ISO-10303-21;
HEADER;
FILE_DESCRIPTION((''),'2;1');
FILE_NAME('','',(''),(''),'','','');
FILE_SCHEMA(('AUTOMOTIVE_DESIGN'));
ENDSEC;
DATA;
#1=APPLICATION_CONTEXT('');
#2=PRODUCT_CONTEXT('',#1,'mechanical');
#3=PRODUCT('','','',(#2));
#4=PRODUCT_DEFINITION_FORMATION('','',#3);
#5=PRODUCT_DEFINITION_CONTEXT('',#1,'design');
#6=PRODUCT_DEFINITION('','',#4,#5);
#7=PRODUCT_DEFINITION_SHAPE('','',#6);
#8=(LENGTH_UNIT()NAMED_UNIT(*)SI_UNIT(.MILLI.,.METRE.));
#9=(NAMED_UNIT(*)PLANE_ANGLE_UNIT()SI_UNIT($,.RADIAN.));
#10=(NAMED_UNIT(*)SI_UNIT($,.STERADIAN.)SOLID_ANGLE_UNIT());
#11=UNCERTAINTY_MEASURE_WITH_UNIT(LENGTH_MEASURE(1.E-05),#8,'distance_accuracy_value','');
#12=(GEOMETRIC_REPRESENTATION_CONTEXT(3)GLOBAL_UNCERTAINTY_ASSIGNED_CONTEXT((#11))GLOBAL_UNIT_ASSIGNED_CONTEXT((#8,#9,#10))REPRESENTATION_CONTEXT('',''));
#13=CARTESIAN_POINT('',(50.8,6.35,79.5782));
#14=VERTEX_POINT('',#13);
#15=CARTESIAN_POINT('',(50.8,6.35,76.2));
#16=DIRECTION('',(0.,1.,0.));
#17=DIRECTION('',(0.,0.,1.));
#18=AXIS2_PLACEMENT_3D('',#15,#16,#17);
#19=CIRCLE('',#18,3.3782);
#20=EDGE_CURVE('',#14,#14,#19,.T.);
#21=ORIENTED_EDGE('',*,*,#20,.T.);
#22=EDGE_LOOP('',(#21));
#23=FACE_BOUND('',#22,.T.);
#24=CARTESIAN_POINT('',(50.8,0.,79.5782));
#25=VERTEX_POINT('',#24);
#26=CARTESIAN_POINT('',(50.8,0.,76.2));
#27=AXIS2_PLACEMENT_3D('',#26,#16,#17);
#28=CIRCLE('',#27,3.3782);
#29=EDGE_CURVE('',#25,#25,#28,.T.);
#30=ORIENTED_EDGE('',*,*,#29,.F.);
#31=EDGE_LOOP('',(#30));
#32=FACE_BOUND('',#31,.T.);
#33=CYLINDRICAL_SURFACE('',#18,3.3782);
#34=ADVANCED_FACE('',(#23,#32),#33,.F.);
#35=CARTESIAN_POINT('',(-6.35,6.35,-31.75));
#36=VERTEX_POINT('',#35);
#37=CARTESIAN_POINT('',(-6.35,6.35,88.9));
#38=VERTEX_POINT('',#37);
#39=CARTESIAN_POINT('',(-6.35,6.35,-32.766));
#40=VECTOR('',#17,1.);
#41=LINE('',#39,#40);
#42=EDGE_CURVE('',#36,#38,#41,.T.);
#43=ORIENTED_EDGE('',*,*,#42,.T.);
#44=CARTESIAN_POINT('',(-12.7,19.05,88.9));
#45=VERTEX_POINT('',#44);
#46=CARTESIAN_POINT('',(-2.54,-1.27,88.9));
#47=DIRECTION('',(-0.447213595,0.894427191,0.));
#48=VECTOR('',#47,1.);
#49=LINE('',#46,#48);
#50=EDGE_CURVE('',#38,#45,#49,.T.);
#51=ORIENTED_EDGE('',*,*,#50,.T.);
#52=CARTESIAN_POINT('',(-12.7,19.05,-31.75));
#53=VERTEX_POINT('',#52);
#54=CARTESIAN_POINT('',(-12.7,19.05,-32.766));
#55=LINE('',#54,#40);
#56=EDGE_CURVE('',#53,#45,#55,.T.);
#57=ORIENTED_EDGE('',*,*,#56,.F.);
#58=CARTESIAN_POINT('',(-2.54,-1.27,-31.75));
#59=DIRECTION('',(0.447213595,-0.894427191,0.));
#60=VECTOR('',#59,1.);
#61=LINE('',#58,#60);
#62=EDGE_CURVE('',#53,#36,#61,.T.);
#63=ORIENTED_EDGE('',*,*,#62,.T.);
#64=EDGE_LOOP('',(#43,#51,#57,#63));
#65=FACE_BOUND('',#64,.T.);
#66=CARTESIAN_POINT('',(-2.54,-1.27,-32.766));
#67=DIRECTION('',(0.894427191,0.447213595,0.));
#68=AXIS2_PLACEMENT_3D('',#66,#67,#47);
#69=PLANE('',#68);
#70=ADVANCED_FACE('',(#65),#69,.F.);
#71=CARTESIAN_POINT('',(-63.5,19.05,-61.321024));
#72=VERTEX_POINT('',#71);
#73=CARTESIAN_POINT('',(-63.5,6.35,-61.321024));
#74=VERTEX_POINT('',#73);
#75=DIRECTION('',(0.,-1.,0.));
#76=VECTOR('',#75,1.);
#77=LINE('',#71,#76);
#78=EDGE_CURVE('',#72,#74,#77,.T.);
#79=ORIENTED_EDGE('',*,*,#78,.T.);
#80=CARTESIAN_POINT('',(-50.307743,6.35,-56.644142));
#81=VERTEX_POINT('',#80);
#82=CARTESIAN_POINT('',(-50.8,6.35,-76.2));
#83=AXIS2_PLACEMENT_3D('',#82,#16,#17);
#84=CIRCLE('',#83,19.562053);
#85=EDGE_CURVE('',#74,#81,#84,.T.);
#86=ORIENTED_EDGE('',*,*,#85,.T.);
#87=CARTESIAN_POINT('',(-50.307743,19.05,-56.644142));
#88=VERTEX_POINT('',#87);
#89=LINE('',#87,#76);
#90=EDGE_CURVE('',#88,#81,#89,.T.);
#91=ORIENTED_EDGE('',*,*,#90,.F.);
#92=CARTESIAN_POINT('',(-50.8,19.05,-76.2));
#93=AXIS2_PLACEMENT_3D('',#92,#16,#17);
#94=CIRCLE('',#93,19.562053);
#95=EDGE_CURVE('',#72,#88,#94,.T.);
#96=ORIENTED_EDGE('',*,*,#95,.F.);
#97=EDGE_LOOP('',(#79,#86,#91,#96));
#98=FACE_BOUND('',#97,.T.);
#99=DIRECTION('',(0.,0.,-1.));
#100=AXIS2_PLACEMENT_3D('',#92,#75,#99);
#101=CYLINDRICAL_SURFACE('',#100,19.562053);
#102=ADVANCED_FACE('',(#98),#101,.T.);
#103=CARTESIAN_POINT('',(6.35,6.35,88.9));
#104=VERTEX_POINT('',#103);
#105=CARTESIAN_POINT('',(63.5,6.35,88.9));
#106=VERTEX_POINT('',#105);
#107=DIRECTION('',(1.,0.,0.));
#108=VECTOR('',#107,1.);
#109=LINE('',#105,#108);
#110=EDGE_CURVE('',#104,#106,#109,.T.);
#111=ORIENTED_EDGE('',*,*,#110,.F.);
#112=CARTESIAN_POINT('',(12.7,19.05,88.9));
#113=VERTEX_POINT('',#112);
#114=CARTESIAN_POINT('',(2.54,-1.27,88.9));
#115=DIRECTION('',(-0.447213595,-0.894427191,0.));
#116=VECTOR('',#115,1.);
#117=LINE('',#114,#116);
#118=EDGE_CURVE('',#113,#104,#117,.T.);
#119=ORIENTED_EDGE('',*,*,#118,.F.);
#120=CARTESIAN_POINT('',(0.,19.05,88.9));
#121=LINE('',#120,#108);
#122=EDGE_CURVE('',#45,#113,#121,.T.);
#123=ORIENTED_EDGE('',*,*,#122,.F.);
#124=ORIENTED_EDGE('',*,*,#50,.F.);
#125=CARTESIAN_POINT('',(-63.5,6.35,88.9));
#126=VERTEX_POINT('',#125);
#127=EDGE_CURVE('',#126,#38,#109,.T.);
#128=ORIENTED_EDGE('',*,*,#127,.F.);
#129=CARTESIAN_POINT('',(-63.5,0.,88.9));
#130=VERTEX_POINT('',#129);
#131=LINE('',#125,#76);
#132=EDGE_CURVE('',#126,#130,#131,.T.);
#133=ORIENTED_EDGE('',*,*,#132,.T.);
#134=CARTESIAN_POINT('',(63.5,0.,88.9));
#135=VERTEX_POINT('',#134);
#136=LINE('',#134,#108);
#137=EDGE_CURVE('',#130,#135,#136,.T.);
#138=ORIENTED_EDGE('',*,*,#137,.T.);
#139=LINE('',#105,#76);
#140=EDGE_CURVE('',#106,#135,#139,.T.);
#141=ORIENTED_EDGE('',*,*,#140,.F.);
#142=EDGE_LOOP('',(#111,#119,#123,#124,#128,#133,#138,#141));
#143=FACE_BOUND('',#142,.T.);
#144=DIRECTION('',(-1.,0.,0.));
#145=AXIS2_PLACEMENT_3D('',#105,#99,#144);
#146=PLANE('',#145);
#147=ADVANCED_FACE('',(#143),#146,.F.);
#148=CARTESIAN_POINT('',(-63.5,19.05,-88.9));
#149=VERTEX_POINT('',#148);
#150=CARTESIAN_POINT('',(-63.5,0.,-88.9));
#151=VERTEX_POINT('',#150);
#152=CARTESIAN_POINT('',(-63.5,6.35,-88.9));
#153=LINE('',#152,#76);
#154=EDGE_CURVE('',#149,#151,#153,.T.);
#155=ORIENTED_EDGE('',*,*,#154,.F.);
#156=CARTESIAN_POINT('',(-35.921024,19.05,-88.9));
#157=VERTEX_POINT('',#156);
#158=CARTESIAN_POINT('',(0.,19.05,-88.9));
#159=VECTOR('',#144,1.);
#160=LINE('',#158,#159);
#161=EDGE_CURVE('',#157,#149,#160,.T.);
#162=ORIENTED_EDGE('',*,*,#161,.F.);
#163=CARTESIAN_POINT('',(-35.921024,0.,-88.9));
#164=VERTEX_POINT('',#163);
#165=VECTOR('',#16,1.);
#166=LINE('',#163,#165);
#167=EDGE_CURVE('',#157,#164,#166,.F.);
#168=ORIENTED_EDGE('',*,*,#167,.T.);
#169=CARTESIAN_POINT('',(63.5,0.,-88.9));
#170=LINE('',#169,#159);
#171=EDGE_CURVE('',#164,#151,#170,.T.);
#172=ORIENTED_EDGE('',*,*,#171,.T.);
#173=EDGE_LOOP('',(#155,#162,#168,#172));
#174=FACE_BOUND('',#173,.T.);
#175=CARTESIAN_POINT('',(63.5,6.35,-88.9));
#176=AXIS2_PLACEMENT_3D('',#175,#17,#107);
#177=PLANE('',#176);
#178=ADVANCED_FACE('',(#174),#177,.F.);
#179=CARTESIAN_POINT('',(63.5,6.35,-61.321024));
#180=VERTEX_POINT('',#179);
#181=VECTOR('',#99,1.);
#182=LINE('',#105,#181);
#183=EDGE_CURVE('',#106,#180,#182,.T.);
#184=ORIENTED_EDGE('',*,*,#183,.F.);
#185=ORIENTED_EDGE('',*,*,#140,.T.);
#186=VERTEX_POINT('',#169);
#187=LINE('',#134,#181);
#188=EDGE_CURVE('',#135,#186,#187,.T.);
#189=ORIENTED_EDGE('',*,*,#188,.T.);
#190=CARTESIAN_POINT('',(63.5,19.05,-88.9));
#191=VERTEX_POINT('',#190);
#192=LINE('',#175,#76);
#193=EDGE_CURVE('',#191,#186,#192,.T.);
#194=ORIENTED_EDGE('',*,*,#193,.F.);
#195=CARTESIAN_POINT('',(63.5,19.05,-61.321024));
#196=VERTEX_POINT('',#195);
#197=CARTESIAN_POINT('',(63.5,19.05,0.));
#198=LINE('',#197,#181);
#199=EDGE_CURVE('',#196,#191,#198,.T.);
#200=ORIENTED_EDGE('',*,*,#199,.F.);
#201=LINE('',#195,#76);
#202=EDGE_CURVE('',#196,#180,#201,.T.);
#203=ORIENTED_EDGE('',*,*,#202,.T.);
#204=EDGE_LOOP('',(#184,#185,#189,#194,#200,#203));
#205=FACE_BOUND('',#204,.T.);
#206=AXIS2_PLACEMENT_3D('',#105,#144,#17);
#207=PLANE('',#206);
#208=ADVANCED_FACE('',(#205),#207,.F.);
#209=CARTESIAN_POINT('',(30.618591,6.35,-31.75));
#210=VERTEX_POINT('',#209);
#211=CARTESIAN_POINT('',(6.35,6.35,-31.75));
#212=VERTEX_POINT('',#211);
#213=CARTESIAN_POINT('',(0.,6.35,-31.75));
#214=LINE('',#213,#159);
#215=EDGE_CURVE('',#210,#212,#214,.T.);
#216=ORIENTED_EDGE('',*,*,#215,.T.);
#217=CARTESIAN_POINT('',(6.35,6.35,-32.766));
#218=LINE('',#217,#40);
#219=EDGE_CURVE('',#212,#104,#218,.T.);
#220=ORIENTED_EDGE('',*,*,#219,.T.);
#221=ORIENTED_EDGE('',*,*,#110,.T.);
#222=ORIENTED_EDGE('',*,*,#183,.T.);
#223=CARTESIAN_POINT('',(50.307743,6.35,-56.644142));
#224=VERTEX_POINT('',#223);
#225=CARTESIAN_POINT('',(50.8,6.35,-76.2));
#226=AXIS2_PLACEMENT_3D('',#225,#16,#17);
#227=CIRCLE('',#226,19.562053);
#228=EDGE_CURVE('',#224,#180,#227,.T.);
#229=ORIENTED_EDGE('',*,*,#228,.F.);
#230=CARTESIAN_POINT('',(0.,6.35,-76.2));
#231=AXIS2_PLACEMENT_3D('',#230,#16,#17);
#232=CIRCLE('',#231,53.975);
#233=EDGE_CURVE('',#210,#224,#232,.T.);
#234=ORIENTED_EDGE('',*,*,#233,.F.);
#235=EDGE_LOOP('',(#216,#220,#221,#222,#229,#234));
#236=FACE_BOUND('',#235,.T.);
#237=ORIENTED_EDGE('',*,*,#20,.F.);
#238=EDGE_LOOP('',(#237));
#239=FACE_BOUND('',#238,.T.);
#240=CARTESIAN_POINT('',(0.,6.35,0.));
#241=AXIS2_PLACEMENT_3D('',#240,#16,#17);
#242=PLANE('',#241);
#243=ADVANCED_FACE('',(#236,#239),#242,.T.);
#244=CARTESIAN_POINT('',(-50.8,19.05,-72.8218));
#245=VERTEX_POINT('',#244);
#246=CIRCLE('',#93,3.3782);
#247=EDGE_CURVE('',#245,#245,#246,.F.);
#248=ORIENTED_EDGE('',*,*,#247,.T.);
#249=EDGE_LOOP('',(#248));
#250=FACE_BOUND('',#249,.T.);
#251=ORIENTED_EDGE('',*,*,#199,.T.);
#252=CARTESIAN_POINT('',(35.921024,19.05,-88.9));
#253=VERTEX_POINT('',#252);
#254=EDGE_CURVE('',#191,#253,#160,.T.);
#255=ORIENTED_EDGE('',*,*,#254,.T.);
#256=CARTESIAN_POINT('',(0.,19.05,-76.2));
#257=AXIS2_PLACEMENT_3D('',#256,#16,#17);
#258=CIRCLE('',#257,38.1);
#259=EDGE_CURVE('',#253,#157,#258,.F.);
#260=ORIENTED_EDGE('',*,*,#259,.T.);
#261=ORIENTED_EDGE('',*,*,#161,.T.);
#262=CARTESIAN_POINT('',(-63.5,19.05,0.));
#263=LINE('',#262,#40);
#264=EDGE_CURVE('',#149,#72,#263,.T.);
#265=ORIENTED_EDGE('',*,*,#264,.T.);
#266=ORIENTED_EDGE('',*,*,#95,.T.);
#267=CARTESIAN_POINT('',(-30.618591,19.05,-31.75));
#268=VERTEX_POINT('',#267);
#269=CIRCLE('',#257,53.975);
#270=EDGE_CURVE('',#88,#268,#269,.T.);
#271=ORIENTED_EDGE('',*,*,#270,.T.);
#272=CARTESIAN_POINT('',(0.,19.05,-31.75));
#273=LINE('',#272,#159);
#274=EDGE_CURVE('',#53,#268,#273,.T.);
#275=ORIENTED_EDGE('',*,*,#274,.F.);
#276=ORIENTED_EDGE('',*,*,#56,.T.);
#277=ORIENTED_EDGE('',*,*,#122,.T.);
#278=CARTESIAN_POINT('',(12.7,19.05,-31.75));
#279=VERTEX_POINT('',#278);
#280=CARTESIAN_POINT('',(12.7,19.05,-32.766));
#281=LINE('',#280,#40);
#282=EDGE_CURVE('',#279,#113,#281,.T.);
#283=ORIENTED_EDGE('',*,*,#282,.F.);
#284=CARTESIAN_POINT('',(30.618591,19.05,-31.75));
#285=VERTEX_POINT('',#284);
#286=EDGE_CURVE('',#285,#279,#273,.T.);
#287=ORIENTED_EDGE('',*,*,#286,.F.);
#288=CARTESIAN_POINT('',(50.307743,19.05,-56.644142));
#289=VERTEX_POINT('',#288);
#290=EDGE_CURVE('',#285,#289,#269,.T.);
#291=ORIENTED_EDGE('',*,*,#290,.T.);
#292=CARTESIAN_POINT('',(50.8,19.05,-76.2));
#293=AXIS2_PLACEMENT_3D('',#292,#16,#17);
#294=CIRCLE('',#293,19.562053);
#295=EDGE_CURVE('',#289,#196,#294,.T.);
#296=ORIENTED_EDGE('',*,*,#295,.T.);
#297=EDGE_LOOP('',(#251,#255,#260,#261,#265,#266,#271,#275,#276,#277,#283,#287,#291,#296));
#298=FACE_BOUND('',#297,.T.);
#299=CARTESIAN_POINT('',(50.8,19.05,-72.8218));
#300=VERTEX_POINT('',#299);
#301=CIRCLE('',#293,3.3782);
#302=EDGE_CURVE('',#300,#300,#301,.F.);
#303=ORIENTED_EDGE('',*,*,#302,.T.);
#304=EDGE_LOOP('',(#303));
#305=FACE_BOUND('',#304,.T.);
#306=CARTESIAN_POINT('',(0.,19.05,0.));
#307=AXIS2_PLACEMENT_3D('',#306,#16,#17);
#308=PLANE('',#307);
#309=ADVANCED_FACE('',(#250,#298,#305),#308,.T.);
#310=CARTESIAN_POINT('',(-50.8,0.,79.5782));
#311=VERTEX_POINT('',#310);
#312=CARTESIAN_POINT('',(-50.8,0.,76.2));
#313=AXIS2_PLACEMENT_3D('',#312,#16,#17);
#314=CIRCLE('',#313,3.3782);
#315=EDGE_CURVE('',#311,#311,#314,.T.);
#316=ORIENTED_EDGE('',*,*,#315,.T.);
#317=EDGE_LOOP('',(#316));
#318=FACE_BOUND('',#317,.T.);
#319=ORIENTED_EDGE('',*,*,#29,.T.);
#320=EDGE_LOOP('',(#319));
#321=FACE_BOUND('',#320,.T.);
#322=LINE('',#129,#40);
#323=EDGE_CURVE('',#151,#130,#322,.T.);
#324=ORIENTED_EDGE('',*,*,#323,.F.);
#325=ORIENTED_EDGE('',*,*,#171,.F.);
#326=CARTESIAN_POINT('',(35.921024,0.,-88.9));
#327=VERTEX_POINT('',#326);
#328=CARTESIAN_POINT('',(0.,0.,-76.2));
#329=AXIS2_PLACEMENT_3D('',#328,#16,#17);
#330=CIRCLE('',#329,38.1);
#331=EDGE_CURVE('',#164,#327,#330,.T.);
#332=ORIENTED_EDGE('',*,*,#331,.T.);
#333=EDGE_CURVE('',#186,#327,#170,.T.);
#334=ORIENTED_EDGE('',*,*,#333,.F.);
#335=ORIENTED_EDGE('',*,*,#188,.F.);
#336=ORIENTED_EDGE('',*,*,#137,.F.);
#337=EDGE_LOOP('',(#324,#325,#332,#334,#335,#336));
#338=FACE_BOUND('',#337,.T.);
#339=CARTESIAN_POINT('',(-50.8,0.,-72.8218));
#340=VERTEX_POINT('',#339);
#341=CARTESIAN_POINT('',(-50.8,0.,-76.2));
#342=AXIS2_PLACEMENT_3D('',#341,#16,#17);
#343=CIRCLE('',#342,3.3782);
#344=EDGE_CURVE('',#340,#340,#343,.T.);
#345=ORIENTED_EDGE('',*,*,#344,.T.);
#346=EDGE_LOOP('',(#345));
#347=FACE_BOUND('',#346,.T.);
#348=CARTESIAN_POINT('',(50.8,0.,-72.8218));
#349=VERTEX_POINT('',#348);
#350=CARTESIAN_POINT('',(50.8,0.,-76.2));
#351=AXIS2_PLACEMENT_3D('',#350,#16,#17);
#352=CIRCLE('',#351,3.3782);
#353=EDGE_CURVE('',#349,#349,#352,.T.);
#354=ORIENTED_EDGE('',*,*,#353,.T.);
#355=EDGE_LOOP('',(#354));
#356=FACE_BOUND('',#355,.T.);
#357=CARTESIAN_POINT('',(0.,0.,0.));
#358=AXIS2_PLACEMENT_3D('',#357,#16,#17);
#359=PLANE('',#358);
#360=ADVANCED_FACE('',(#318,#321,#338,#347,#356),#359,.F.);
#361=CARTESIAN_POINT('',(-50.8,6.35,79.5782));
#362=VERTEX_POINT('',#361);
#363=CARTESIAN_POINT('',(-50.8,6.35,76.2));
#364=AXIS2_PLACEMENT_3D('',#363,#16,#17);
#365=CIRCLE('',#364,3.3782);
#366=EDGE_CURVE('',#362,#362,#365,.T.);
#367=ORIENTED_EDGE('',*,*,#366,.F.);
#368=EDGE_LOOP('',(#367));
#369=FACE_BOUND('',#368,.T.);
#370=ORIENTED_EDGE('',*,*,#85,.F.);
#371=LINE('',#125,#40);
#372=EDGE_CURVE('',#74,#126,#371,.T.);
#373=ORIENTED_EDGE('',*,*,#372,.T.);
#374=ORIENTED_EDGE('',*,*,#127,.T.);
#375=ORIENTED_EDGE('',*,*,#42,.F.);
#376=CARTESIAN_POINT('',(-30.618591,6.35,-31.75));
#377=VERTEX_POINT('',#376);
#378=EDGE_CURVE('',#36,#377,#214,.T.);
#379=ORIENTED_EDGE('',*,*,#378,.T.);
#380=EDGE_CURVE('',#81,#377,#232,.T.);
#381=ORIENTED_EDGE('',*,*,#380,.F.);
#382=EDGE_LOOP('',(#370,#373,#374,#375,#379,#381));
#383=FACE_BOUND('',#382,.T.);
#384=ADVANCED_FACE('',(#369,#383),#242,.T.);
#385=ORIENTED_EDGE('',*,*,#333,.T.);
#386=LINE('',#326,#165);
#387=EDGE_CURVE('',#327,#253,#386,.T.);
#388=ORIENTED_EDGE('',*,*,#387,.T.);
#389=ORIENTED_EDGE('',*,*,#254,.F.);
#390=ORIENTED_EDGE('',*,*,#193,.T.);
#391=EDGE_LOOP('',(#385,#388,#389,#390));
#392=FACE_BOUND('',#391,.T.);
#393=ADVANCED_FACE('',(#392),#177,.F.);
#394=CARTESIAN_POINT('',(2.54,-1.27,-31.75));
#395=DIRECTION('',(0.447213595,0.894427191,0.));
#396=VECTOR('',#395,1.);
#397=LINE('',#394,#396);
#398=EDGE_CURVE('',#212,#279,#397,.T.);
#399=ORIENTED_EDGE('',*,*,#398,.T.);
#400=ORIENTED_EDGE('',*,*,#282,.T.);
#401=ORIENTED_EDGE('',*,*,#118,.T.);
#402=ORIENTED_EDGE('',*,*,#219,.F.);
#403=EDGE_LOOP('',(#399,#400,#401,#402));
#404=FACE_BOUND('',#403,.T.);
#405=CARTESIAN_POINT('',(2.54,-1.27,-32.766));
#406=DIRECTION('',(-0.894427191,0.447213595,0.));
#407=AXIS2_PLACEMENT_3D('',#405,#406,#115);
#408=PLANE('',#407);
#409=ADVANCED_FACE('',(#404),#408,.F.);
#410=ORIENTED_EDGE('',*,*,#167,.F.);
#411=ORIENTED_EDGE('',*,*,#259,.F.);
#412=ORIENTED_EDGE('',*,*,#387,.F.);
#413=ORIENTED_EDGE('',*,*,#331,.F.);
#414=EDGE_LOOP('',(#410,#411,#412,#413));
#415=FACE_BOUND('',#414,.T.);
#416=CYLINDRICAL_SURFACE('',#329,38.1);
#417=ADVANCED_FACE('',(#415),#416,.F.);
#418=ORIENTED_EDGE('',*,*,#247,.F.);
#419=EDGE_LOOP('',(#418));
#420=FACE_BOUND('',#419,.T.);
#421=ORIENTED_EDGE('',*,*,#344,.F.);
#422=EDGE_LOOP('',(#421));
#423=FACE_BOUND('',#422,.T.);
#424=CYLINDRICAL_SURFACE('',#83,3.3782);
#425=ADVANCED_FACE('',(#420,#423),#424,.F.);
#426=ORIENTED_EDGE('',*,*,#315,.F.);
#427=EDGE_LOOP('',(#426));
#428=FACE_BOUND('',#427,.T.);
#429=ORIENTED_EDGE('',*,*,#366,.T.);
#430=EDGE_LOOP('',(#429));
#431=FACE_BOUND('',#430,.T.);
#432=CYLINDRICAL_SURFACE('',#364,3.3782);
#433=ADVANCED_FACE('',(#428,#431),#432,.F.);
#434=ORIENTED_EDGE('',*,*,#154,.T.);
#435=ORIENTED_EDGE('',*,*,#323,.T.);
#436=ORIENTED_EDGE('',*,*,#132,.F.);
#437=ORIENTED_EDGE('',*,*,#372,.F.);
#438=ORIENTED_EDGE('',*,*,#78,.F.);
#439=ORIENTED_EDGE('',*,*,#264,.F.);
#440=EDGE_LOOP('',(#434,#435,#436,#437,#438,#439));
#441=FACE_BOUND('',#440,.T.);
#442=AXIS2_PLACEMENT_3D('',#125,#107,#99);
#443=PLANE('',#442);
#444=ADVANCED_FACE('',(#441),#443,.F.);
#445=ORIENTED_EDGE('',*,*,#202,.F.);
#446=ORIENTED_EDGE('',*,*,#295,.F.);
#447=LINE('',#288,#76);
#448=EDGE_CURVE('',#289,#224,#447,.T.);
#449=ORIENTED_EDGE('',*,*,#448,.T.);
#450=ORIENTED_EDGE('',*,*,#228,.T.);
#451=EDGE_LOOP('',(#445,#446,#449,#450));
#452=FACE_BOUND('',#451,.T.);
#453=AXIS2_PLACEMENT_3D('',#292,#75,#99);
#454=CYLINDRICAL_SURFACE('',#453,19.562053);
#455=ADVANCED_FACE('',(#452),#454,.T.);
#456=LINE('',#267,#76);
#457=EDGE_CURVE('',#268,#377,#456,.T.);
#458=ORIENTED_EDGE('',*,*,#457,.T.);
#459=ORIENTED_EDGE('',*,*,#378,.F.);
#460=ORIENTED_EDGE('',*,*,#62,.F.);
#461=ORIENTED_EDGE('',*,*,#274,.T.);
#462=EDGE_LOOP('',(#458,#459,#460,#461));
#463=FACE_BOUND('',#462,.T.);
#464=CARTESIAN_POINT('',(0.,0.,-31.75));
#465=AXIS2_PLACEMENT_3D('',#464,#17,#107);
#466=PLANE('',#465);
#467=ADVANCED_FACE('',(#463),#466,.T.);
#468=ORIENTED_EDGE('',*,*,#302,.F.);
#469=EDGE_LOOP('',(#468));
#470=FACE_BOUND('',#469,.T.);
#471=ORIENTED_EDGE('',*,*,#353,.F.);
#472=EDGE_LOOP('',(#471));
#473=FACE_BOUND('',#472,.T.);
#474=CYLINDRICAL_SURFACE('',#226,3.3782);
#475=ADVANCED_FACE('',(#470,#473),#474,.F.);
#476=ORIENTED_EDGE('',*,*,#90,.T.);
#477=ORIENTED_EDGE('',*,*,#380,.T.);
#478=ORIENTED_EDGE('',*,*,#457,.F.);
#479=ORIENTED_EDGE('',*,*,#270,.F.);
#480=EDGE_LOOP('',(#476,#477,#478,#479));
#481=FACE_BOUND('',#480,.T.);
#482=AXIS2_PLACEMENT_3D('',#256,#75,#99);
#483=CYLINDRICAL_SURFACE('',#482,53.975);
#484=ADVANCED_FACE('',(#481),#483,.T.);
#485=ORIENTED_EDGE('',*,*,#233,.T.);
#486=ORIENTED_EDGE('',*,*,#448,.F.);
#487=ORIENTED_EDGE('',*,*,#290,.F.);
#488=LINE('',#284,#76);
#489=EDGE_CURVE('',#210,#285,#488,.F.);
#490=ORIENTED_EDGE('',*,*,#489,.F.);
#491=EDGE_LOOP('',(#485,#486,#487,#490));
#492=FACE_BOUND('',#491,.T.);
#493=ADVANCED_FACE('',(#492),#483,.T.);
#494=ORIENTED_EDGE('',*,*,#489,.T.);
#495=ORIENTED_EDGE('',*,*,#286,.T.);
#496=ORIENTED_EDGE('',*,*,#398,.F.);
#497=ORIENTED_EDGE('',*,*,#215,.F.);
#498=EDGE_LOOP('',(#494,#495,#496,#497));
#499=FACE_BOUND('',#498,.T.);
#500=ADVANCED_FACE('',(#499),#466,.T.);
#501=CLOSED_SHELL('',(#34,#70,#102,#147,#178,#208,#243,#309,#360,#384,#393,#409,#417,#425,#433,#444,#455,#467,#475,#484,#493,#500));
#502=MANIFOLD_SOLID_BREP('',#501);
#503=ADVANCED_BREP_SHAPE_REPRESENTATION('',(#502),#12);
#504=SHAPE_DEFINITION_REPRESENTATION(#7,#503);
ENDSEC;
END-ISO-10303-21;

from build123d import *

# Parameters (mm, degrees)
SKETCH1_W                    = 127
SKETCH1_H                    = 177.8
BOSS_EXTRUDE1_DEPTH          = 6.35
H_0_266_DIAMETER_HOLE1_D     = 6.7564
H_0_266_DIAMETER_HOLE1_DEPTH = 16.51
H_0_266_DIAMETER_HOLE1_TIP   = 2.029827343
SKETCH4_R                    = 38.1
CUT_EXTRUDE1_DEPTH           = 6.35
SKETCH5_R                    = 3.3782
BOSS_EXTRUDE2_DEPTH          = 12.7
BOSS_EXTRUDE3_DEPTH          = 121.666
SKETCH7_W                    = 27.292671225
SKETCH7_H                    = 12.7
CUT_EXTRUDE2_DEPTH           = 120.65


with BuildPart() as part:
    # Sketch1 → Boss-Extrude1 (new body)
    with BuildSketch(Plane(origin=(0, 0, 0), x_dir=(1, 0, 0), z_dir=(0, 1, 0))):
        Rectangle(SKETCH1_W, SKETCH1_H)
    extrude(amount=BOSS_EXTRUDE1_DEPTH)

    # H (0.266) Diameter Hole1
    with Locations(Plane(origin=(0, 6.35, 0), x_dir=(1, 0, 0), z_dir=(0, 1, 0))):
        with Locations((-50.8, 76.2), (50.8, -76.2), (50.8, 76.2), (-50.8, -76.2)):
            Hole(H_0_266_DIAMETER_HOLE1_D / 2, depth=H_0_266_DIAMETER_HOLE1_DEPTH)
            with Locations((0, 0, -(H_0_266_DIAMETER_HOLE1_DEPTH + H_0_266_DIAMETER_HOLE1_TIP / 2))):  # 118° drill point
                Cone(0, H_0_266_DIAMETER_HOLE1_D / 2, H_0_266_DIAMETER_HOLE1_TIP, mode=Mode.SUBTRACT)

    # Sketch4 → Cut-Extrude1 (cut)
    with BuildSketch(Plane(origin=(0, 6.35, 0), x_dir=(1, 0, 0), z_dir=(0, 1, 0))):
        with Locations((0, 76.2)):
            Circle(SKETCH4_R)
    extrude(amount=-CUT_EXTRUDE1_DEPTH, mode=Mode.SUBTRACT)

    # Sketch5 → Boss-Extrude2 (add)
    with BuildSketch(Plane(origin=(0, 6.35, 0), x_dir=(1, 0, 0), z_dir=(0, 1, 0))):
        with BuildLine():
            Line((-35.921024484, 88.9), (-63.5, 88.9))
            Line((-63.5, 88.9), (-63.5, 61.321024484))
            ThreePointArc((-63.5, 61.321024484), (-57.336478943, 57.762311549), (-50.307743234, 56.644141653))
            ThreePointArc((-50.307743234, 56.644141653), (0, 22.225), (50.307743234, 56.644141653))
            ThreePointArc((50.307743234, 56.644141653), (57.336478943, 57.762311549), (63.5, 61.321024484))
            Line((63.5, 61.321024484), (63.5, 88.9))
            Line((63.5, 88.9), (35.921024484, 88.9))
            ThreePointArc((35.921024484, 88.9), (0, 38.1), (-35.921024484, 88.9))
        make_face()
        with Locations(Location((50.8, 76.2, 0), (0, 0, 270))):
            Circle(SKETCH5_R, mode=Mode.SUBTRACT)
        with Locations(Location((-50.8, 76.2, 0), (0, 0, 270))):
            Circle(SKETCH5_R, mode=Mode.SUBTRACT)
    extrude(amount=BOSS_EXTRUDE2_DEPTH)

    # Sketch6 → Boss-Extrude3 (add)
    with BuildSketch(Plane.XY.offset(88.9)):
        Polygon((-12.7, 19.05), (-6.35, 6.35), (6.35, 6.35), (12.7, 19.05), align=None)
    extrude(amount=-BOSS_EXTRUDE3_DEPTH)

    # Sketch7 → Cut-Extrude2 (cut)
    with BuildSketch(Plane.XY.offset(88.9)):
        with Locations((-36.661407622, 12.7)):
            Rectangle(SKETCH7_W, SKETCH7_H)
        Polygon((-23.015072009, 19.05), (-23.015072009, 6.35), (-6.35, 6.35), (-12.7, 19.05), align=None)
        Polygon((6.35, 6.35), (23.015072009, 6.35), (23.015072009, 19.05), (12.7, 19.05), align=None)
        with Locations((36.661407622, 12.7)):
            Rectangle(SKETCH7_W, SKETCH7_H)
    extrude(amount=-CUT_EXTRUDE2_DEPTH, mode=Mode.SUBTRACT)


solid = part.part
